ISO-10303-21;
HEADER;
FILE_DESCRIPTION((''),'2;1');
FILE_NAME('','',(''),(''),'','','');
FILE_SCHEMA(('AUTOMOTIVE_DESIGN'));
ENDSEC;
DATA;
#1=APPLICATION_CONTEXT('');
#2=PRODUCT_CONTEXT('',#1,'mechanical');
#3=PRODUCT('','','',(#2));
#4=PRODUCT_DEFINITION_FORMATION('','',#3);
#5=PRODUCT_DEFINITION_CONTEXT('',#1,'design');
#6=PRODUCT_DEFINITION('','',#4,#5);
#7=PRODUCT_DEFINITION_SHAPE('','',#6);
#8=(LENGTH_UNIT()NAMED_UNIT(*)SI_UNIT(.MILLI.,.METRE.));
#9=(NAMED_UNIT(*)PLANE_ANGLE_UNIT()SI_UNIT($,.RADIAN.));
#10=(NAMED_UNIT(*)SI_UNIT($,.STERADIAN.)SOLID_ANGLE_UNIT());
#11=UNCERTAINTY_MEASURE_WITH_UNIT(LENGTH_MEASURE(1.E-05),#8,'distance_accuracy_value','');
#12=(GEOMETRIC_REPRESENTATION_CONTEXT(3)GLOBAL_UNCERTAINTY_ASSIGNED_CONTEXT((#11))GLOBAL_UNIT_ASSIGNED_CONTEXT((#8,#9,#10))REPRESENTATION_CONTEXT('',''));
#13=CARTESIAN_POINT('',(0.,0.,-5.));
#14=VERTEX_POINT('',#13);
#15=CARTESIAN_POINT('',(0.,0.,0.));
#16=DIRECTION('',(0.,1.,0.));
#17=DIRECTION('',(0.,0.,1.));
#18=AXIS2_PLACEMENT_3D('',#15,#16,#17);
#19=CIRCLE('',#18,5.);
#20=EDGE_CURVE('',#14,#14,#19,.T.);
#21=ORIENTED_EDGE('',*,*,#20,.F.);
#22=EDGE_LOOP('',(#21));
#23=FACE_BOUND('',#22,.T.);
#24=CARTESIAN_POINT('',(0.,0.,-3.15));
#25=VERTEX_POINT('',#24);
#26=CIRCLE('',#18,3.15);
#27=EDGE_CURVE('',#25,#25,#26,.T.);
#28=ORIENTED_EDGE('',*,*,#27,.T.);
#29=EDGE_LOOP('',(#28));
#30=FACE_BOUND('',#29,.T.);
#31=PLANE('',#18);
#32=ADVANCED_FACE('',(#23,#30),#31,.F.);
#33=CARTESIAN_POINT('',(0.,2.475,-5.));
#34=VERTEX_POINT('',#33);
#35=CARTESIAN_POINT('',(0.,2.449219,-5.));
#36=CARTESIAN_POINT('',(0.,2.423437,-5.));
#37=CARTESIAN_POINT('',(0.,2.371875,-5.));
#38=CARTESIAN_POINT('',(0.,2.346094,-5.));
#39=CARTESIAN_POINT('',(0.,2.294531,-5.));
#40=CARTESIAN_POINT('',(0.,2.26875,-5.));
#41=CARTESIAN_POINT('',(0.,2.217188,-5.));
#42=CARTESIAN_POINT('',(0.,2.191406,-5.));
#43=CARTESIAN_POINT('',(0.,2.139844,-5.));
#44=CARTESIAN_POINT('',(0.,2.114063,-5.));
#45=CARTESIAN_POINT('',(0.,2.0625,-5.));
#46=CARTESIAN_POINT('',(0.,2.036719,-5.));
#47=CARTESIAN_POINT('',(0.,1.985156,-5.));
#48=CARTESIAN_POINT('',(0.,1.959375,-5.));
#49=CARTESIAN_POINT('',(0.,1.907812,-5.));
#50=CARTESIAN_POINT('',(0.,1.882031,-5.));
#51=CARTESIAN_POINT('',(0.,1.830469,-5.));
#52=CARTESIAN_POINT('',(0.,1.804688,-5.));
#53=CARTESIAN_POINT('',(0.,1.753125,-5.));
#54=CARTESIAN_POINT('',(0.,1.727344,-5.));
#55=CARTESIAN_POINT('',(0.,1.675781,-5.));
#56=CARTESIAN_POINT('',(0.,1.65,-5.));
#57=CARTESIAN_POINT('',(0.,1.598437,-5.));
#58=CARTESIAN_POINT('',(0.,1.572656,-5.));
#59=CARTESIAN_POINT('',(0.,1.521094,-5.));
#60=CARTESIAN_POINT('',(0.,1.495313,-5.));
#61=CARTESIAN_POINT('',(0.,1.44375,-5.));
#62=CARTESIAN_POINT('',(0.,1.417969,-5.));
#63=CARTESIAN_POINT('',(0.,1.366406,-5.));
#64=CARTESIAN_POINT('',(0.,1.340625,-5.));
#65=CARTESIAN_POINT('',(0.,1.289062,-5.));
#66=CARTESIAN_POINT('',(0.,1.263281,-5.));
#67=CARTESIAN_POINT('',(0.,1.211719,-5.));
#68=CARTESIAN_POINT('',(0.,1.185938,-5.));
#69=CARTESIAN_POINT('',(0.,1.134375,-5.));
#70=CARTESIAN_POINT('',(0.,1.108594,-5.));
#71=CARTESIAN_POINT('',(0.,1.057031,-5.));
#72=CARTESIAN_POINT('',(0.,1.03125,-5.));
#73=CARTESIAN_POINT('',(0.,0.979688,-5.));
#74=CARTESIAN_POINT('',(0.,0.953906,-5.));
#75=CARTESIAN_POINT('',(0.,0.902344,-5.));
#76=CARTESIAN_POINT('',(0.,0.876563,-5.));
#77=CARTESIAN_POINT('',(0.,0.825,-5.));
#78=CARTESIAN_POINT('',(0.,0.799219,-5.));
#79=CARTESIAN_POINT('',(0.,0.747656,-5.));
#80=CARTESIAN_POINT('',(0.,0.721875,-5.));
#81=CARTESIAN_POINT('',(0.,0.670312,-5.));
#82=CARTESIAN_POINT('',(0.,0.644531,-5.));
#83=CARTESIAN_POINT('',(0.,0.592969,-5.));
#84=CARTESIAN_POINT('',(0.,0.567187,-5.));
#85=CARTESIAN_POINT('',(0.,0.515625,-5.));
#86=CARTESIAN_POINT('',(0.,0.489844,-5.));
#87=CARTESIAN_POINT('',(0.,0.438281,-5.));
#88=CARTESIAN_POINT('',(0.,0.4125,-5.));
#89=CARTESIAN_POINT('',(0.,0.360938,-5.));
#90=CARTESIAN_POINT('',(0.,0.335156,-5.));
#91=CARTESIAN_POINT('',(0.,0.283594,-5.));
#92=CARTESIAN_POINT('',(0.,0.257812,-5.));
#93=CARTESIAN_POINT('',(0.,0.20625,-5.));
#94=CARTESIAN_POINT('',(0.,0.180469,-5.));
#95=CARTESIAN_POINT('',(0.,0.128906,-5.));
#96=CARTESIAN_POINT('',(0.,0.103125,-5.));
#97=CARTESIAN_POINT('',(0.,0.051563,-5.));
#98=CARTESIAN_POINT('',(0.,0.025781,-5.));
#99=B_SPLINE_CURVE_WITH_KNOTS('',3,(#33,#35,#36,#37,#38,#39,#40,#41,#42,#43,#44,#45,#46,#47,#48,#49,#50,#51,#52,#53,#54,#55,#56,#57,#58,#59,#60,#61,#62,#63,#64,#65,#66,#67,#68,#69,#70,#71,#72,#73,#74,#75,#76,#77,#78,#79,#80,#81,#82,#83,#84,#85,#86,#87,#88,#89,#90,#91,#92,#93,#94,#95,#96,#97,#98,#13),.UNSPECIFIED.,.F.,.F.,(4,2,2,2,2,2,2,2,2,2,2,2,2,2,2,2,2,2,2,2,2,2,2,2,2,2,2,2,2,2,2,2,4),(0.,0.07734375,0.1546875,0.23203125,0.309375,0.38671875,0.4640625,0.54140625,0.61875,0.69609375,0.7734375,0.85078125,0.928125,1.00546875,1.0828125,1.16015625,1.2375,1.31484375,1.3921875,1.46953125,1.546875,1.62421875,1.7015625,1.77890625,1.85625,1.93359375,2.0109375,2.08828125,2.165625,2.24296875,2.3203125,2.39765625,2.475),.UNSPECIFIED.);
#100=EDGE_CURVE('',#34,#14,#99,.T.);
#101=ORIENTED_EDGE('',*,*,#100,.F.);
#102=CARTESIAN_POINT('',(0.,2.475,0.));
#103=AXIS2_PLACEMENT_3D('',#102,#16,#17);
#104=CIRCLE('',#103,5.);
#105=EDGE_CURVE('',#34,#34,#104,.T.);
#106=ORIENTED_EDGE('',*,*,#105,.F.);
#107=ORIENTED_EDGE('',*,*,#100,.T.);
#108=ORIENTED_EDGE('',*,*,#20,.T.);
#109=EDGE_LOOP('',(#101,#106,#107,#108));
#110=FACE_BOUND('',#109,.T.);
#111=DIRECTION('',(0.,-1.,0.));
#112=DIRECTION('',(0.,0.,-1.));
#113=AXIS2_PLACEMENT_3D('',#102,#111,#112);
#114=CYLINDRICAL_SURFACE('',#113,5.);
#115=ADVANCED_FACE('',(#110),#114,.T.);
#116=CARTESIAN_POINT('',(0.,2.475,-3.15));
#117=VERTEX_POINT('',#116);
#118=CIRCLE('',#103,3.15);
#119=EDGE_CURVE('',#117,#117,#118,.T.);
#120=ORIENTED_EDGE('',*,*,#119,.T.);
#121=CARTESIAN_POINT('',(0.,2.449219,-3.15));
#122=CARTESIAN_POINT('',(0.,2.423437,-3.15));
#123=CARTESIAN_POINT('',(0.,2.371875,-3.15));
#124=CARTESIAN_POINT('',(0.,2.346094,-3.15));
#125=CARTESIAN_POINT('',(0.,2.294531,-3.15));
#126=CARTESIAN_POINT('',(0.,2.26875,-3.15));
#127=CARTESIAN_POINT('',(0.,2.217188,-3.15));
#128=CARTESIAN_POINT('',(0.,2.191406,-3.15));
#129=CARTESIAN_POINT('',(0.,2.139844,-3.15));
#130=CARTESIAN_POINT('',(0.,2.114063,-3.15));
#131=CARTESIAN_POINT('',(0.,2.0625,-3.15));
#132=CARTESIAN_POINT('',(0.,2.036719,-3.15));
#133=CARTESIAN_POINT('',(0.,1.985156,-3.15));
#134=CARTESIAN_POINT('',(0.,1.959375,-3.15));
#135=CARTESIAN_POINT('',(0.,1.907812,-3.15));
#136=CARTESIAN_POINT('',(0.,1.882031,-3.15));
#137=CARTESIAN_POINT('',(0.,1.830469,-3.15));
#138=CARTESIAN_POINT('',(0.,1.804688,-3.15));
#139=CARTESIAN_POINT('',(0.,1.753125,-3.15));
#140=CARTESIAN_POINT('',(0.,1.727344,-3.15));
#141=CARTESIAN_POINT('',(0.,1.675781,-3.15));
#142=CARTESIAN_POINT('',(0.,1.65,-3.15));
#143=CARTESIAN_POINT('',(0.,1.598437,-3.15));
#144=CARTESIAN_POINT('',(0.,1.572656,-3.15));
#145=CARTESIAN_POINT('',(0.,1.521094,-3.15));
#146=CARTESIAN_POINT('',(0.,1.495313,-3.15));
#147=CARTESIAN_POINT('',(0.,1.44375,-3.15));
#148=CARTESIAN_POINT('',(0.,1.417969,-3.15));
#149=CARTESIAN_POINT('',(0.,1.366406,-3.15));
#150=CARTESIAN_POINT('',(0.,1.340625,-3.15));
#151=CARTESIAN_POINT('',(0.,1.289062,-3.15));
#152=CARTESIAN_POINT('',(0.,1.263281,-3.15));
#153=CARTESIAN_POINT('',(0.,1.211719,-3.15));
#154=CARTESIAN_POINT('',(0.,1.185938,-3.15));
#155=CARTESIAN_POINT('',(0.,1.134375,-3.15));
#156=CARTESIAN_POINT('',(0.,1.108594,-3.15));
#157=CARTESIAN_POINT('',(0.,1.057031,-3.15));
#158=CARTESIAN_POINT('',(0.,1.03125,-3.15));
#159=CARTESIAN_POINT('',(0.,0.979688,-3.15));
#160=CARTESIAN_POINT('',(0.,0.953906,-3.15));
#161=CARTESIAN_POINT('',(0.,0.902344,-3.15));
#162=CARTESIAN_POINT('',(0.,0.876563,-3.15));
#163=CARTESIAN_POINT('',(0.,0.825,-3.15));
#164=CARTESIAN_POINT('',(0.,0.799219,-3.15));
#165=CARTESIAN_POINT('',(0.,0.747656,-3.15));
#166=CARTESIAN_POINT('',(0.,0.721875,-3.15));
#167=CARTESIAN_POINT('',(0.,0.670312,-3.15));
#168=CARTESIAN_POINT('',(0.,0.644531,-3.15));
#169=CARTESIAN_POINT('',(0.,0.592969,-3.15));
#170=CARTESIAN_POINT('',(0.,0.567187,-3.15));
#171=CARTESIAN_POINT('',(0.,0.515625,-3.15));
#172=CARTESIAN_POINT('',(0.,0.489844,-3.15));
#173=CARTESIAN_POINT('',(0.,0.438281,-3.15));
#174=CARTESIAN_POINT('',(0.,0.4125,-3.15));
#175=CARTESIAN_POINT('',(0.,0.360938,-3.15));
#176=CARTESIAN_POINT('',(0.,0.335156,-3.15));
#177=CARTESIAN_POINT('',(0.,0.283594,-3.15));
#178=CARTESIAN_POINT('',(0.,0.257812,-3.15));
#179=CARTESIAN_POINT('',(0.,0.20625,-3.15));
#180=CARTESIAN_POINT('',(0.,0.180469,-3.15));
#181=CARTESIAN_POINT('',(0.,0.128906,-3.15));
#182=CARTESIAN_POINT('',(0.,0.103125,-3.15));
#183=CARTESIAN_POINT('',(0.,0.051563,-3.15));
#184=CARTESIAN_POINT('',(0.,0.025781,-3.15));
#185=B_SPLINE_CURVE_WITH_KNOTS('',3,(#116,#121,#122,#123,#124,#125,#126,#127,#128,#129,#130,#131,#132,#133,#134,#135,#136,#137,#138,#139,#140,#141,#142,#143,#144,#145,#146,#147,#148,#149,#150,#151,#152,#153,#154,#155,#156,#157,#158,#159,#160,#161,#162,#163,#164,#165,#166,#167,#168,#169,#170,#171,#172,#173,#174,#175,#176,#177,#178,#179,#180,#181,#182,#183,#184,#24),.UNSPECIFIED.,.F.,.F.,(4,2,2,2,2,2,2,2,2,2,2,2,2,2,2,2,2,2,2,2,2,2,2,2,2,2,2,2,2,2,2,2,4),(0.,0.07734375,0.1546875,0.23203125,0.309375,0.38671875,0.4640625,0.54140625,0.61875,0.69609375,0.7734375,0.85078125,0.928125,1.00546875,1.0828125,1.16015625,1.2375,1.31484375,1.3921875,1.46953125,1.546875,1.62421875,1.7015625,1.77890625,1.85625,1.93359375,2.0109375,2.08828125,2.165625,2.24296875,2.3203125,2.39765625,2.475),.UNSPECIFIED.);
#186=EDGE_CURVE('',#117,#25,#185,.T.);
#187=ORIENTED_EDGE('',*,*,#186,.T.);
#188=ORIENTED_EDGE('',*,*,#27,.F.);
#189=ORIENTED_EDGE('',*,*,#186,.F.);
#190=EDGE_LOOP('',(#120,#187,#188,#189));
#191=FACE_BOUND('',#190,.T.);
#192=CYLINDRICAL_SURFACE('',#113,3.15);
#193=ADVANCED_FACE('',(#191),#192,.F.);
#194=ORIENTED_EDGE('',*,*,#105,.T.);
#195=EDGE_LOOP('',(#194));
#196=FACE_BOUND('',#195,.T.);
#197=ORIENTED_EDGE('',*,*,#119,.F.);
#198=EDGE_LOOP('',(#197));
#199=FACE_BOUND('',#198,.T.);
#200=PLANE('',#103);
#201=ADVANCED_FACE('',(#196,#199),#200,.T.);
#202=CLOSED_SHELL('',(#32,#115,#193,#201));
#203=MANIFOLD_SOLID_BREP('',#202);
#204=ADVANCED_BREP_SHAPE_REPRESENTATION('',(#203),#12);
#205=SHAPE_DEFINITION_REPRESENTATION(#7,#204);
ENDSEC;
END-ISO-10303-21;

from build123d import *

# Parameters (mm, degrees)
SKETCH1_R           = 5
SKETCH1_R_2         = 3.15
BOSS_EXTRUDE1_DEPTH = 2.475


with BuildPart() as part:
    # Sketch1 → Boss-Extrude1 (new body)
    with BuildSketch(Plane(origin=(0, 0, 0), x_dir=(1, 0, 0), z_dir=(0, 1, 0))):
        with Locations(Location((0, 0, 0), (0, 0, 90))):
            Circle(SKETCH1_R)
        with Locations(Location((0, 0, 0), (0, 0, 90))):
            Circle(SKETCH1_R_2, mode=Mode.SUBTRACT)
    extrude(amount=BOSS_EXTRUDE1_DEPTH)


solid = part.part
